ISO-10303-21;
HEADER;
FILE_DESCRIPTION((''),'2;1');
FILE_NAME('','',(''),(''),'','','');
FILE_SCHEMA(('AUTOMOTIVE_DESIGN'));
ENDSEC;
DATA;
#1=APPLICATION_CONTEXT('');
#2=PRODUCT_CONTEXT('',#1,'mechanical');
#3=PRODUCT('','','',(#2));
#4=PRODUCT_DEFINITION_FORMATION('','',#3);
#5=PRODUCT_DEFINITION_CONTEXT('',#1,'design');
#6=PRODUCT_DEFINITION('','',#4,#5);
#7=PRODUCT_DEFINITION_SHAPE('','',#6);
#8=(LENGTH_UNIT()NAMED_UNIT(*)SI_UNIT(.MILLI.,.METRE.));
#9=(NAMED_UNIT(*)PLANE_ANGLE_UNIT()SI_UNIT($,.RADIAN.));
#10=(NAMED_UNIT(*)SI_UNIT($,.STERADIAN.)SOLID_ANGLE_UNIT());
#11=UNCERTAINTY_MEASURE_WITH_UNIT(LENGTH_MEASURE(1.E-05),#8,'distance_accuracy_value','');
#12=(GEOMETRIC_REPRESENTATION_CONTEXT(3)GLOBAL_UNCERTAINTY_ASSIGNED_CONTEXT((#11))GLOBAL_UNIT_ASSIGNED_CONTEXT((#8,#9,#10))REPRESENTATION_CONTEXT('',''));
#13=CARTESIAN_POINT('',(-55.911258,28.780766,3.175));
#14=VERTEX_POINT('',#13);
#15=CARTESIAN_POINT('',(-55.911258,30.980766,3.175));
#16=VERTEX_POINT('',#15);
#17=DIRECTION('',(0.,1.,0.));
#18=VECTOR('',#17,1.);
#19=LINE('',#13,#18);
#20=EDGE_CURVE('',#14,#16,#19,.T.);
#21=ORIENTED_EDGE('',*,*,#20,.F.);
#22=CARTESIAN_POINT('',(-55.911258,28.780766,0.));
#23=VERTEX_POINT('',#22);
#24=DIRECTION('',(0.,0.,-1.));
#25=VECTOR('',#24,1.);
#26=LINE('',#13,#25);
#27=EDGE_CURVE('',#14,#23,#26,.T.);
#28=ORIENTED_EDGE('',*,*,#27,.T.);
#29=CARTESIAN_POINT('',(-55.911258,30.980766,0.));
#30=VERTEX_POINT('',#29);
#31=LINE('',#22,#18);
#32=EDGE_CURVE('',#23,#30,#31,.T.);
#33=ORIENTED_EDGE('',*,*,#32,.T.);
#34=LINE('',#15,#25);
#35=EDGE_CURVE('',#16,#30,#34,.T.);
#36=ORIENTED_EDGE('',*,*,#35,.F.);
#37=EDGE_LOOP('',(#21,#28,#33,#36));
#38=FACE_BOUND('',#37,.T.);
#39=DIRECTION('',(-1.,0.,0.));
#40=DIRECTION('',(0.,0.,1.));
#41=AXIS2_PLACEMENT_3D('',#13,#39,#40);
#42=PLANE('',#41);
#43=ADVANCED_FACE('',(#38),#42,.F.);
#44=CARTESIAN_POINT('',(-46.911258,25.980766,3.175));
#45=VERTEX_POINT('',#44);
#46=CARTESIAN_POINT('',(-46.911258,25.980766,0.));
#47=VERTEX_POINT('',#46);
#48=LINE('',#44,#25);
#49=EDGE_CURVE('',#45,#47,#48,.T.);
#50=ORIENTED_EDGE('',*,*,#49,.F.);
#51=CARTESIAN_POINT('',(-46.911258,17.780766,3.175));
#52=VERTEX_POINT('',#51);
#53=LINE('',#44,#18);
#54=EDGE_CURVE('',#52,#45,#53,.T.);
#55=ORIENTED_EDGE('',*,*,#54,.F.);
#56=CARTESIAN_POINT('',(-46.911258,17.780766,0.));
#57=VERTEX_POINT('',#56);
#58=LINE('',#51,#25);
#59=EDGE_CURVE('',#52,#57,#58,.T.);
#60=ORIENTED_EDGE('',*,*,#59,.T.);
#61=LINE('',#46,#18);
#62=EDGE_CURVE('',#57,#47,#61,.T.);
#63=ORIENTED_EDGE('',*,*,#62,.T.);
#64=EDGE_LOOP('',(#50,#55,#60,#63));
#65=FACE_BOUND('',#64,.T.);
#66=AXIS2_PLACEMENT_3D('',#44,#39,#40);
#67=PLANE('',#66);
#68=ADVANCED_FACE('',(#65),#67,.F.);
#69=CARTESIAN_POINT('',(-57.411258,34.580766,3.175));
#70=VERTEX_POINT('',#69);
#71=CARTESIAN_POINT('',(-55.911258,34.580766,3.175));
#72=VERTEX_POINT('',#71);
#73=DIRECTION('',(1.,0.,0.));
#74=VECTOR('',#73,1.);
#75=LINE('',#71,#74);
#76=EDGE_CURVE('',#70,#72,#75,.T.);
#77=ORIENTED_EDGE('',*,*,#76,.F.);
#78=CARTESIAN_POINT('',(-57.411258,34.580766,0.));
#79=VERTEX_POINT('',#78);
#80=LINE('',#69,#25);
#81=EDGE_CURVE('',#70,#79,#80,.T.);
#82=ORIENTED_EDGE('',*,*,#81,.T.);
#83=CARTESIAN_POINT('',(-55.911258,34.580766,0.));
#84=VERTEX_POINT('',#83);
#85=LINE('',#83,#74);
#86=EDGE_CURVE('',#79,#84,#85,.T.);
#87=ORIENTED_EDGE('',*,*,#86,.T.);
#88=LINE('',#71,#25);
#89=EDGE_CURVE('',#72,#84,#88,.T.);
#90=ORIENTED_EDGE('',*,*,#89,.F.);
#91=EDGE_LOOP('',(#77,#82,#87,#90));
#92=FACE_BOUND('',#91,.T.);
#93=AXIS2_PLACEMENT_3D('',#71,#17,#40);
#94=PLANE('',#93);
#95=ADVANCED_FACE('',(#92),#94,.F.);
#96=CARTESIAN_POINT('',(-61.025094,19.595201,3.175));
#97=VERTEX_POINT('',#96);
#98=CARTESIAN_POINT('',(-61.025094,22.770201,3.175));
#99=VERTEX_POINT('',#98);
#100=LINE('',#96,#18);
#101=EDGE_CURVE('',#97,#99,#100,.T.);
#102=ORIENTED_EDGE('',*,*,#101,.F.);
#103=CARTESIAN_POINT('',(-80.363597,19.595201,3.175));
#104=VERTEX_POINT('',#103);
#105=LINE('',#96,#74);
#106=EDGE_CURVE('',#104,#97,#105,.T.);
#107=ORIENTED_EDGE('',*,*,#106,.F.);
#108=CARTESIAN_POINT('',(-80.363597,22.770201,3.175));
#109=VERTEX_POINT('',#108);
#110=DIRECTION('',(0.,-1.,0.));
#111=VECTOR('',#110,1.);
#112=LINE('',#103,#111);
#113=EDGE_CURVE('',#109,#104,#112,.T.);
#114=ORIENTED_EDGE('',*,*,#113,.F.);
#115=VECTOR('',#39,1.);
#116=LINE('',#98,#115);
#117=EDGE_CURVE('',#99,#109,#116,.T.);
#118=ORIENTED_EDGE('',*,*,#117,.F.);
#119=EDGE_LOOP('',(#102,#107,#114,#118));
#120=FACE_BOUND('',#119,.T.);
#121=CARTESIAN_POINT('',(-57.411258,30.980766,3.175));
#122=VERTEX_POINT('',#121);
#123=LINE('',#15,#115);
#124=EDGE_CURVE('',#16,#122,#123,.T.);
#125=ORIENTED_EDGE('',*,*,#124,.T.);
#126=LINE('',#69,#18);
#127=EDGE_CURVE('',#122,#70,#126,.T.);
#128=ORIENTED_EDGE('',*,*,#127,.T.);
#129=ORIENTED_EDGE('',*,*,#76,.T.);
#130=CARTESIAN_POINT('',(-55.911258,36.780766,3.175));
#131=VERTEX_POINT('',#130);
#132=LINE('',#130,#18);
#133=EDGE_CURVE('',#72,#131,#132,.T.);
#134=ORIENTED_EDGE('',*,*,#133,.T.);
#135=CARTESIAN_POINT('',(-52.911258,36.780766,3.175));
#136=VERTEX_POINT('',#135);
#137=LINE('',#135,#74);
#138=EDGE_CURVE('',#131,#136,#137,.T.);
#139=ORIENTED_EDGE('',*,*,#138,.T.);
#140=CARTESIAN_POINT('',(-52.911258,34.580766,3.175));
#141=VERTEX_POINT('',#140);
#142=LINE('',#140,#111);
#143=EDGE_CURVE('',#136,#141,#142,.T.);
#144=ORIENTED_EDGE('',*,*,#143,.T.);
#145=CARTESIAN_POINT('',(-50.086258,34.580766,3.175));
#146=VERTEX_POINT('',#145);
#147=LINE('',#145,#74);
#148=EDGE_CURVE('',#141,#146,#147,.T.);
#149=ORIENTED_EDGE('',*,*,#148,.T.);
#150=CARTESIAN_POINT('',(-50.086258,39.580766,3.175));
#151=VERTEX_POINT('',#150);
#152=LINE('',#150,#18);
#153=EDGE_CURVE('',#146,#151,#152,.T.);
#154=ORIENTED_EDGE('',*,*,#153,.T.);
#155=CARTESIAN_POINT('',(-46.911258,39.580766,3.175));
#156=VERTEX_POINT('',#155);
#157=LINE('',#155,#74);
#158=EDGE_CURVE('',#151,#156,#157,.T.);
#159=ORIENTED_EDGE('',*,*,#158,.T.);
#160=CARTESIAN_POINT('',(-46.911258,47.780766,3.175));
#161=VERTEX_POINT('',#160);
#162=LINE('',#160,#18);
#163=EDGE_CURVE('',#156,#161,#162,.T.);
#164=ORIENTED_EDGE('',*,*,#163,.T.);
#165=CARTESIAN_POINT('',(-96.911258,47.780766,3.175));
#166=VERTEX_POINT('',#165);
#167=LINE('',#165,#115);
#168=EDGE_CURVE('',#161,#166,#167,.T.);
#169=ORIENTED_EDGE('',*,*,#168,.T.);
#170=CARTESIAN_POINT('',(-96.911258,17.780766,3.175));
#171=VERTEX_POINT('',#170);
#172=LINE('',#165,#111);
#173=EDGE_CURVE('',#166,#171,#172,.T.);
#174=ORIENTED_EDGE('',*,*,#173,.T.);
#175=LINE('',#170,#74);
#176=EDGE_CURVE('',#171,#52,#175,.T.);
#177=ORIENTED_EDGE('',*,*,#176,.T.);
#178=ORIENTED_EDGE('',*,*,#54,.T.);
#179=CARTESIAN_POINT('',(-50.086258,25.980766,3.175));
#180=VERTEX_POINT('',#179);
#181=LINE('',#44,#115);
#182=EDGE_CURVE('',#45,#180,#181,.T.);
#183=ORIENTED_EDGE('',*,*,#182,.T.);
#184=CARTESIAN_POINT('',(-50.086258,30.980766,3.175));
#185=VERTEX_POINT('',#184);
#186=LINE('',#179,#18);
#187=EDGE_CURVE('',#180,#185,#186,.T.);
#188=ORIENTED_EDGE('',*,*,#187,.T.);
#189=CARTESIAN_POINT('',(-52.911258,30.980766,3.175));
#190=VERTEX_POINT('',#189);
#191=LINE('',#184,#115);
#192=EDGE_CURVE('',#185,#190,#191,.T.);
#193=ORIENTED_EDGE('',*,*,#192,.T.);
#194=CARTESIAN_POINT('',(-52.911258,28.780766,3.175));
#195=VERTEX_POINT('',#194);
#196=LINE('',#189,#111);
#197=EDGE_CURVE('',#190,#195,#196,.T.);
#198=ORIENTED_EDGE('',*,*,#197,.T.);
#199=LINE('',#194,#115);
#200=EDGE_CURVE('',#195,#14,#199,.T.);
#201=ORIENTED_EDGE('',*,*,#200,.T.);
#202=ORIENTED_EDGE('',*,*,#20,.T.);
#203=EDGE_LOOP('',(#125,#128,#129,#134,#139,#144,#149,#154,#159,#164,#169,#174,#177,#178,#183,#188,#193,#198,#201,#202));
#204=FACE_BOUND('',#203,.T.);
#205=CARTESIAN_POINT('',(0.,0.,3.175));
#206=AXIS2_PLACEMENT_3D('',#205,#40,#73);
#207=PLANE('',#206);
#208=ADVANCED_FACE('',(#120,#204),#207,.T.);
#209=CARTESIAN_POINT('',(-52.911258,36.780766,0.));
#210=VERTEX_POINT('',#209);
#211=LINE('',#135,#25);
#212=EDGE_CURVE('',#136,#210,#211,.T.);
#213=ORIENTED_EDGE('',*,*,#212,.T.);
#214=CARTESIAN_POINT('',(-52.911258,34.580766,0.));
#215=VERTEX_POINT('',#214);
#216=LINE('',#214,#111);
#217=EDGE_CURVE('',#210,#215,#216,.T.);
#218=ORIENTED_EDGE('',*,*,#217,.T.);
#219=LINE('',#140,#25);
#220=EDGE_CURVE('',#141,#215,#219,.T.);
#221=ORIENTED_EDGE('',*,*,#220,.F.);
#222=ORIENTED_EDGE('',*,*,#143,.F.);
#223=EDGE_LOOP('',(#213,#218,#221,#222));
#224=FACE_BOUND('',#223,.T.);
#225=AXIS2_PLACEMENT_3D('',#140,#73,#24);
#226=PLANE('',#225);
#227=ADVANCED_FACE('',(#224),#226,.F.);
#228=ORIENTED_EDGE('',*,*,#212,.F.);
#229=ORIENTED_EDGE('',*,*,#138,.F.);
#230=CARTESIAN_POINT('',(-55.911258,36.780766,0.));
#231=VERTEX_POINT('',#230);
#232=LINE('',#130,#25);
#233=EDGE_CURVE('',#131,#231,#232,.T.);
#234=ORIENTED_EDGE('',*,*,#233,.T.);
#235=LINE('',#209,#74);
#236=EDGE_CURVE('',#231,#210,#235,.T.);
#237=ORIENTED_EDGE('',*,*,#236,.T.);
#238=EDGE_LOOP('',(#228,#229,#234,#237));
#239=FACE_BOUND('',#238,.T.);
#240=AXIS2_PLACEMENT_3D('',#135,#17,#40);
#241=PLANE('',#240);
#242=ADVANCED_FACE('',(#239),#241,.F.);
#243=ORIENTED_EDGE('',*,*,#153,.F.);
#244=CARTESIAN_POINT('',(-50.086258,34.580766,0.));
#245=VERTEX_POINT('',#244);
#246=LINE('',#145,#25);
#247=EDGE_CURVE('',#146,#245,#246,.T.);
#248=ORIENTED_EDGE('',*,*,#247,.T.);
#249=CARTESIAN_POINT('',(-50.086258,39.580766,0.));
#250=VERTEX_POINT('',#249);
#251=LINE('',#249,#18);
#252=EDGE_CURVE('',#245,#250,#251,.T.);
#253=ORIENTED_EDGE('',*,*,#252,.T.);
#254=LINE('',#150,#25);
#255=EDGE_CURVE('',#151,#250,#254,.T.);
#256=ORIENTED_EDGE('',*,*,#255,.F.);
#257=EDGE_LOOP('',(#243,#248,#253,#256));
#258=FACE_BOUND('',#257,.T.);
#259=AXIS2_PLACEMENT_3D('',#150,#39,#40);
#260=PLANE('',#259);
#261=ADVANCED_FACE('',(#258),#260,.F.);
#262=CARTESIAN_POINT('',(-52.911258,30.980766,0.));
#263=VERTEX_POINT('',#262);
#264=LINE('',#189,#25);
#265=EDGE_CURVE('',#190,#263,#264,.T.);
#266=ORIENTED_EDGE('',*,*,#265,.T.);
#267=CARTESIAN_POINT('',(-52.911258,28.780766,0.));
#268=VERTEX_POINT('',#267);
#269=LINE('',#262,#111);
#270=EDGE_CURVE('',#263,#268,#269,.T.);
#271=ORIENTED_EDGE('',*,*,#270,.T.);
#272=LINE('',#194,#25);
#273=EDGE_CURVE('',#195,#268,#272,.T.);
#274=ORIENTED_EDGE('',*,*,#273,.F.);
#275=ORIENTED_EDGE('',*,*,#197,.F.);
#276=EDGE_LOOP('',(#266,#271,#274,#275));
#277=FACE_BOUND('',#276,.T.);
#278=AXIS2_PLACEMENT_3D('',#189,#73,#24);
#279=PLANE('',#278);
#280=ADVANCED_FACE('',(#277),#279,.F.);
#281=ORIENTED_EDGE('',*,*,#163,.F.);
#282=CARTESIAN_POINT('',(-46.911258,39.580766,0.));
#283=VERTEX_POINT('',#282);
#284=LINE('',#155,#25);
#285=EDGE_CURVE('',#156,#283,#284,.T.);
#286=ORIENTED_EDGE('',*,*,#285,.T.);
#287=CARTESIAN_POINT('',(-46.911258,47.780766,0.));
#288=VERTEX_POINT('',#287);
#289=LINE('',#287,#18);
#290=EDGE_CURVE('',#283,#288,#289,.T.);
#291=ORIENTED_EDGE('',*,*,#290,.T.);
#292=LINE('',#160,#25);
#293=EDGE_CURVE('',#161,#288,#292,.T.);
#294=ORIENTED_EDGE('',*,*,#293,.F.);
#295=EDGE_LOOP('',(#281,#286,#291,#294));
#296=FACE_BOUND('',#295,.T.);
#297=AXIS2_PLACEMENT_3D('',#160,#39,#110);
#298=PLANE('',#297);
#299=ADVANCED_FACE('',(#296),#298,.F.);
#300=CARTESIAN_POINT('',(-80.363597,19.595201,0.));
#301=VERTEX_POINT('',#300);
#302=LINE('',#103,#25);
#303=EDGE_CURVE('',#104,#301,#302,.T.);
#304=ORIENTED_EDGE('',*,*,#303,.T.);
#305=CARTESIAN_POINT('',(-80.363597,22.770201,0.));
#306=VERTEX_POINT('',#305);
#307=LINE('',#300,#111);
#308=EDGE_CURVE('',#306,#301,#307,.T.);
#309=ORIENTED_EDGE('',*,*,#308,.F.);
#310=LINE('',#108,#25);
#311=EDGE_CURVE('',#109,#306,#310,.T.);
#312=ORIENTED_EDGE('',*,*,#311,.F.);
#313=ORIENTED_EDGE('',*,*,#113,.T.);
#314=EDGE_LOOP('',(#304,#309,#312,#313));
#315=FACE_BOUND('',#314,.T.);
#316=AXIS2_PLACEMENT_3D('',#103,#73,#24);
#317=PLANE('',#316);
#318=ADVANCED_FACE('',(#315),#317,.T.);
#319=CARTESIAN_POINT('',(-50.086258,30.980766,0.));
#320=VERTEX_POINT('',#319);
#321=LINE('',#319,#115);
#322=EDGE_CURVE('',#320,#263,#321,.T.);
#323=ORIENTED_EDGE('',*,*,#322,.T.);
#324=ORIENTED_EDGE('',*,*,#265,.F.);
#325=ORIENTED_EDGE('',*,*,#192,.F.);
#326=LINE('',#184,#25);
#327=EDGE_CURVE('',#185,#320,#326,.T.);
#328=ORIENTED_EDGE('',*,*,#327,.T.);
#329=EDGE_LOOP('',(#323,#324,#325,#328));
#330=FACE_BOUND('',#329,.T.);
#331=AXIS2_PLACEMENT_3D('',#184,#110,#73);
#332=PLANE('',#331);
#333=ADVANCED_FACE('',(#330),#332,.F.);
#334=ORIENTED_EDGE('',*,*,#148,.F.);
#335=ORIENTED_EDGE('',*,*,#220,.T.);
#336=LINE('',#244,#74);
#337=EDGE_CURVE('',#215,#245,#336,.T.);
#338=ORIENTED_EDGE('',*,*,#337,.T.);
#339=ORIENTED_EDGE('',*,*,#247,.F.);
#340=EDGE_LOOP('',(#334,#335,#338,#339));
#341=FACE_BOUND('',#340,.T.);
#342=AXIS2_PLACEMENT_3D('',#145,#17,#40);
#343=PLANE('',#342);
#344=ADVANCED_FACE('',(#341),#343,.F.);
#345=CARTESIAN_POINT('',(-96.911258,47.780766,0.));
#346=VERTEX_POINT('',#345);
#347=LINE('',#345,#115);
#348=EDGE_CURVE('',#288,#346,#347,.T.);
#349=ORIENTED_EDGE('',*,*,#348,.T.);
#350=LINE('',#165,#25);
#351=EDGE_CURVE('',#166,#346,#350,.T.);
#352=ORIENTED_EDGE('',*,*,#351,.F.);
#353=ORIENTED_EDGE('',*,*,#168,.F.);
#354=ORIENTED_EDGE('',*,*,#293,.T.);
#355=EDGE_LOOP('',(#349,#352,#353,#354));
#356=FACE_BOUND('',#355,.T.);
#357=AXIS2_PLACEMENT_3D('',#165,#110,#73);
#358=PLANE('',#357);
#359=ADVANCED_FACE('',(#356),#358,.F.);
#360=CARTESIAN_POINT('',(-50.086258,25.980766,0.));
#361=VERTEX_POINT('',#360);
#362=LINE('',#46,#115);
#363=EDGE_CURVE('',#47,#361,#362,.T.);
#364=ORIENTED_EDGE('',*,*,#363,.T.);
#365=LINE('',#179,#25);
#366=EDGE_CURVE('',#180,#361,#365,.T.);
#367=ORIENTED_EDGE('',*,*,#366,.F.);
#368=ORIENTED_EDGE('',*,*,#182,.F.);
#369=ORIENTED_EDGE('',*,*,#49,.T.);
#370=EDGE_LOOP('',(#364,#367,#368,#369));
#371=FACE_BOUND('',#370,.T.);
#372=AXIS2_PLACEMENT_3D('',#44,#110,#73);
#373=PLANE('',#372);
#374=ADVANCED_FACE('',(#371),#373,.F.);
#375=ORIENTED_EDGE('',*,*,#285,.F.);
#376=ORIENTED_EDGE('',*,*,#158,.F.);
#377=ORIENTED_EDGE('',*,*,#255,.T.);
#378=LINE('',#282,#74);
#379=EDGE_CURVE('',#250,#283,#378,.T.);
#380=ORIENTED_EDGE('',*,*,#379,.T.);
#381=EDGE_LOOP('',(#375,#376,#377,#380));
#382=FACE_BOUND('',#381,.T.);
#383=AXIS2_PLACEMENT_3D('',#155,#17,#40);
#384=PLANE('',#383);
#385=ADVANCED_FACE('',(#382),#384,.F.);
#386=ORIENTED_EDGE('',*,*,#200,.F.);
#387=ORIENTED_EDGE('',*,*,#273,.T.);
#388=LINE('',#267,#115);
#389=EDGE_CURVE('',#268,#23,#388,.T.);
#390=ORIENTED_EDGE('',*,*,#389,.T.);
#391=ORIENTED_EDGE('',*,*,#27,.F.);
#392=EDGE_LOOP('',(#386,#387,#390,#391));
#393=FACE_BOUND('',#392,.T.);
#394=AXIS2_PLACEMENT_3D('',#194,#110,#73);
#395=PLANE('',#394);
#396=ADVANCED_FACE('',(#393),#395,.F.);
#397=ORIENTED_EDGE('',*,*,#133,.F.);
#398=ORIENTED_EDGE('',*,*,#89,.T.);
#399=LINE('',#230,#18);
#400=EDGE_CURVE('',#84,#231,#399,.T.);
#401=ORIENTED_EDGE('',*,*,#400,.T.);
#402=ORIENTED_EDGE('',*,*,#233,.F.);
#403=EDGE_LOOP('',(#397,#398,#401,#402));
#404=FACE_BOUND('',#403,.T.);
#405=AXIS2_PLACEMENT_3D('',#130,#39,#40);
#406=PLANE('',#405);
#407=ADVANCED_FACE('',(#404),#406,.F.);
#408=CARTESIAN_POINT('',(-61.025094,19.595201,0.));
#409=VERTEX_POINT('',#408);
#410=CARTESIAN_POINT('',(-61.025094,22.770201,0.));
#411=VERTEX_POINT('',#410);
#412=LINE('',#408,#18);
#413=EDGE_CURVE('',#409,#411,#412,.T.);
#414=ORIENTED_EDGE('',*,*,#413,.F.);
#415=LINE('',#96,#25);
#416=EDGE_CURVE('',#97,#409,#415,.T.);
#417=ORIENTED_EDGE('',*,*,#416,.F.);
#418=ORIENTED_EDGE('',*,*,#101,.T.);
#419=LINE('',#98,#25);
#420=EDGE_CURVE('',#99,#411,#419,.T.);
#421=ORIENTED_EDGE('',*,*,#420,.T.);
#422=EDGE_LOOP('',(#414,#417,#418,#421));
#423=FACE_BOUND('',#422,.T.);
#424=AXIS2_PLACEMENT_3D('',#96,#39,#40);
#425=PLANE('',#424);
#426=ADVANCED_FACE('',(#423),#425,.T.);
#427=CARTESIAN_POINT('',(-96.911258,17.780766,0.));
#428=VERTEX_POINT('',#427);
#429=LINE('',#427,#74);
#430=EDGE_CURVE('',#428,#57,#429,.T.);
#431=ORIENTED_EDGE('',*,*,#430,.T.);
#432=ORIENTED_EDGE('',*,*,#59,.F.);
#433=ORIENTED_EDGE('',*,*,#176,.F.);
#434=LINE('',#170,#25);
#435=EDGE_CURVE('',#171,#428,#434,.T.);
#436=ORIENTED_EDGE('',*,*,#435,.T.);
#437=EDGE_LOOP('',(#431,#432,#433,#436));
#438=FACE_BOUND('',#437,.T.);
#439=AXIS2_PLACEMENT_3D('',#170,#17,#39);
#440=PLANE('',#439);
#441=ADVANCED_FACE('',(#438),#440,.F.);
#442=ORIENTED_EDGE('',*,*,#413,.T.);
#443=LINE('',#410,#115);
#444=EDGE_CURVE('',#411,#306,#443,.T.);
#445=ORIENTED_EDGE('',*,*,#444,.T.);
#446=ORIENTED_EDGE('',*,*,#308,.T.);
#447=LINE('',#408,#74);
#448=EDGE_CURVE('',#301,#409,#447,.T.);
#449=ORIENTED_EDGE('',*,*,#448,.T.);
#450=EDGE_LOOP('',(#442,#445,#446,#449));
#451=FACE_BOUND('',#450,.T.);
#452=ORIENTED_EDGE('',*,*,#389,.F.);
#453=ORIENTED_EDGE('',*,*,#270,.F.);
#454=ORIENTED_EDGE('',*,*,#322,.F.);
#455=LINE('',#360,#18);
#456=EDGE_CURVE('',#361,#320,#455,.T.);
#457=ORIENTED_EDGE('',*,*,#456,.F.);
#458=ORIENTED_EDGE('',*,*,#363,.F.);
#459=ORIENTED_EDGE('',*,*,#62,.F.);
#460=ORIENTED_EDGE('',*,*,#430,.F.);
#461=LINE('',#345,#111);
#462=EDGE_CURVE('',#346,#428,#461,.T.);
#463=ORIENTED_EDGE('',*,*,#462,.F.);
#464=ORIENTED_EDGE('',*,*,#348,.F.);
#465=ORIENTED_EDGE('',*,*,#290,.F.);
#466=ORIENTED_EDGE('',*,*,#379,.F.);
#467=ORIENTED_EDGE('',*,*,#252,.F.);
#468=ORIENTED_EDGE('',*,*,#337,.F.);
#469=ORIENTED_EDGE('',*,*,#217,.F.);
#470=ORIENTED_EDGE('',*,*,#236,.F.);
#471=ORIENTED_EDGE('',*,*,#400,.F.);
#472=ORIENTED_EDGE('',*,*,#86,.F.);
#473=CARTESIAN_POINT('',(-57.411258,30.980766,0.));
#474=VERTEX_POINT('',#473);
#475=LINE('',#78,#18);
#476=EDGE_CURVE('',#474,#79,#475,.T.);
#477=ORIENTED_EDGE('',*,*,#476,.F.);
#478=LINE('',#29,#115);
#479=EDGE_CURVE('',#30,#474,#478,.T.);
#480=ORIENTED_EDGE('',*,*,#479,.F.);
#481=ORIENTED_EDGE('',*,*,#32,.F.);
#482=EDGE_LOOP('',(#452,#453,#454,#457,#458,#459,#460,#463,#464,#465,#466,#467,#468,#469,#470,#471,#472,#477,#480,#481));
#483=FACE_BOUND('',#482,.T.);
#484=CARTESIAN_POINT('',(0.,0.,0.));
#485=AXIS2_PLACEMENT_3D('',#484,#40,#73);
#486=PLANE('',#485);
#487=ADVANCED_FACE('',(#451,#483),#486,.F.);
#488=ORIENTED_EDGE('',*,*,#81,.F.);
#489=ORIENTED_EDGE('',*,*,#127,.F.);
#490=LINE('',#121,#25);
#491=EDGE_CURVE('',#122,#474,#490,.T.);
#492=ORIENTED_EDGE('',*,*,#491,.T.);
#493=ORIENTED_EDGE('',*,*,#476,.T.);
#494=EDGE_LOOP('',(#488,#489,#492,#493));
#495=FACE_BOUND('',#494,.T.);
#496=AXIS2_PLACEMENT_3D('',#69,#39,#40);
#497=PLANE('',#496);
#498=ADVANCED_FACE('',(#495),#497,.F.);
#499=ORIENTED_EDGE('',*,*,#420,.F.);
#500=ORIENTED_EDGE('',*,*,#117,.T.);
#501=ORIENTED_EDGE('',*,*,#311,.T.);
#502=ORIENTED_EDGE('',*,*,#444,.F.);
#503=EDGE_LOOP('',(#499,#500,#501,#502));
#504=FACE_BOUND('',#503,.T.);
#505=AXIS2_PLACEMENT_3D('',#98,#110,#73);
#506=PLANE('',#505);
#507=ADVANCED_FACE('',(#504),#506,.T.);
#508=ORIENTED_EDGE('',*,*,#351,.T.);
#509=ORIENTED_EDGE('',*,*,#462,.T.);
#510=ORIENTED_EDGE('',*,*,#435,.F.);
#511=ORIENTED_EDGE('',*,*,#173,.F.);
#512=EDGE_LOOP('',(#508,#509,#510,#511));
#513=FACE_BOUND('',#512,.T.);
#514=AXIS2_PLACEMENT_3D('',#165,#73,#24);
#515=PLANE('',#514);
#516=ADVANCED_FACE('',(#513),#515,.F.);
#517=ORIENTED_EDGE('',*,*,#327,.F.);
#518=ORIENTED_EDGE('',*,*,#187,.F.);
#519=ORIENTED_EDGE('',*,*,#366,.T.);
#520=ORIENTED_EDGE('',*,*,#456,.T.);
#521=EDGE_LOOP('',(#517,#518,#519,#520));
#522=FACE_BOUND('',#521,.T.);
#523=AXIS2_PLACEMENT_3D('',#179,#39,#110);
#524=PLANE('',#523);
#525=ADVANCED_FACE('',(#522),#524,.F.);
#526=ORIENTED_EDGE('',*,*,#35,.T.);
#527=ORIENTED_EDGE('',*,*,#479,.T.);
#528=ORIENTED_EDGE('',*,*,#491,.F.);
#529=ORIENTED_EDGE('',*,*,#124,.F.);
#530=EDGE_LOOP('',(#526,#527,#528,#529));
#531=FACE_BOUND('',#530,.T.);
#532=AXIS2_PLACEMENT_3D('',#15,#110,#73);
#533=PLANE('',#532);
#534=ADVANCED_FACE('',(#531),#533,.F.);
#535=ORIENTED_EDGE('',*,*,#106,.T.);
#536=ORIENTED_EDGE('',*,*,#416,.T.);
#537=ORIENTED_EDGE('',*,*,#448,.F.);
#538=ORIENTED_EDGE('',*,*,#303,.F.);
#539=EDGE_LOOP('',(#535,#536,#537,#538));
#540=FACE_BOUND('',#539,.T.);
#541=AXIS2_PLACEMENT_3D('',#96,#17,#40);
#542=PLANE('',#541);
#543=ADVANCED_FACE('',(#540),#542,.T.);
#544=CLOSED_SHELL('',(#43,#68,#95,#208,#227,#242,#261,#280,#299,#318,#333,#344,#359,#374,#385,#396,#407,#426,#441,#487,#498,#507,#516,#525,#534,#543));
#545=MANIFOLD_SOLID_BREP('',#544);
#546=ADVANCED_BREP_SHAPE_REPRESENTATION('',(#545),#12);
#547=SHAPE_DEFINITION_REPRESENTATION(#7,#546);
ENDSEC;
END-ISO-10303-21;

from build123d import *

# Parameters (mm, degrees)
SKETCH1_W           = 19.338503776
SKETCH1_H           = 3.175
BOSS_EXTRUDE1_DEPTH = 3.175


with BuildPart() as part:
    # Sketch1 → Boss-Extrude1 (new body)
    with BuildSketch(Plane.XY):
        Polygon((-96.911258203, 47.780766243), (-46.911258203, 47.780766243), (-46.911258203, 39.580766243), (-50.086258203, 39.580766243), (-50.086258203, 34.580766243), (-52.911258203, 34.580766243), (-52.911258203, 36.780766243), (-55.911258203, 36.780766243), (-55.911258203, 34.580766243), (-57.411258203, 34.580766243), (-57.411258203, 30.980766243), (-55.911258203, 30.980766243), (-55.911258203, 28.780766243), (-52.911258203, 28.780766243), (-52.911258203, 30.980766243), (-50.086258203, 30.980766243), (-50.086258203, 25.980766243), (-46.911258203, 25.980766243), (-46.911258203, 17.780766243), (-96.911258203, 17.780766243), align=None)
        with Locations((-70.694345596, 21.182701237)):
            Rectangle(SKETCH1_W, SKETCH1_H, mode=Mode.SUBTRACT)
    extrude(amount=BOSS_EXTRUDE1_DEPTH)


solid = part.part
